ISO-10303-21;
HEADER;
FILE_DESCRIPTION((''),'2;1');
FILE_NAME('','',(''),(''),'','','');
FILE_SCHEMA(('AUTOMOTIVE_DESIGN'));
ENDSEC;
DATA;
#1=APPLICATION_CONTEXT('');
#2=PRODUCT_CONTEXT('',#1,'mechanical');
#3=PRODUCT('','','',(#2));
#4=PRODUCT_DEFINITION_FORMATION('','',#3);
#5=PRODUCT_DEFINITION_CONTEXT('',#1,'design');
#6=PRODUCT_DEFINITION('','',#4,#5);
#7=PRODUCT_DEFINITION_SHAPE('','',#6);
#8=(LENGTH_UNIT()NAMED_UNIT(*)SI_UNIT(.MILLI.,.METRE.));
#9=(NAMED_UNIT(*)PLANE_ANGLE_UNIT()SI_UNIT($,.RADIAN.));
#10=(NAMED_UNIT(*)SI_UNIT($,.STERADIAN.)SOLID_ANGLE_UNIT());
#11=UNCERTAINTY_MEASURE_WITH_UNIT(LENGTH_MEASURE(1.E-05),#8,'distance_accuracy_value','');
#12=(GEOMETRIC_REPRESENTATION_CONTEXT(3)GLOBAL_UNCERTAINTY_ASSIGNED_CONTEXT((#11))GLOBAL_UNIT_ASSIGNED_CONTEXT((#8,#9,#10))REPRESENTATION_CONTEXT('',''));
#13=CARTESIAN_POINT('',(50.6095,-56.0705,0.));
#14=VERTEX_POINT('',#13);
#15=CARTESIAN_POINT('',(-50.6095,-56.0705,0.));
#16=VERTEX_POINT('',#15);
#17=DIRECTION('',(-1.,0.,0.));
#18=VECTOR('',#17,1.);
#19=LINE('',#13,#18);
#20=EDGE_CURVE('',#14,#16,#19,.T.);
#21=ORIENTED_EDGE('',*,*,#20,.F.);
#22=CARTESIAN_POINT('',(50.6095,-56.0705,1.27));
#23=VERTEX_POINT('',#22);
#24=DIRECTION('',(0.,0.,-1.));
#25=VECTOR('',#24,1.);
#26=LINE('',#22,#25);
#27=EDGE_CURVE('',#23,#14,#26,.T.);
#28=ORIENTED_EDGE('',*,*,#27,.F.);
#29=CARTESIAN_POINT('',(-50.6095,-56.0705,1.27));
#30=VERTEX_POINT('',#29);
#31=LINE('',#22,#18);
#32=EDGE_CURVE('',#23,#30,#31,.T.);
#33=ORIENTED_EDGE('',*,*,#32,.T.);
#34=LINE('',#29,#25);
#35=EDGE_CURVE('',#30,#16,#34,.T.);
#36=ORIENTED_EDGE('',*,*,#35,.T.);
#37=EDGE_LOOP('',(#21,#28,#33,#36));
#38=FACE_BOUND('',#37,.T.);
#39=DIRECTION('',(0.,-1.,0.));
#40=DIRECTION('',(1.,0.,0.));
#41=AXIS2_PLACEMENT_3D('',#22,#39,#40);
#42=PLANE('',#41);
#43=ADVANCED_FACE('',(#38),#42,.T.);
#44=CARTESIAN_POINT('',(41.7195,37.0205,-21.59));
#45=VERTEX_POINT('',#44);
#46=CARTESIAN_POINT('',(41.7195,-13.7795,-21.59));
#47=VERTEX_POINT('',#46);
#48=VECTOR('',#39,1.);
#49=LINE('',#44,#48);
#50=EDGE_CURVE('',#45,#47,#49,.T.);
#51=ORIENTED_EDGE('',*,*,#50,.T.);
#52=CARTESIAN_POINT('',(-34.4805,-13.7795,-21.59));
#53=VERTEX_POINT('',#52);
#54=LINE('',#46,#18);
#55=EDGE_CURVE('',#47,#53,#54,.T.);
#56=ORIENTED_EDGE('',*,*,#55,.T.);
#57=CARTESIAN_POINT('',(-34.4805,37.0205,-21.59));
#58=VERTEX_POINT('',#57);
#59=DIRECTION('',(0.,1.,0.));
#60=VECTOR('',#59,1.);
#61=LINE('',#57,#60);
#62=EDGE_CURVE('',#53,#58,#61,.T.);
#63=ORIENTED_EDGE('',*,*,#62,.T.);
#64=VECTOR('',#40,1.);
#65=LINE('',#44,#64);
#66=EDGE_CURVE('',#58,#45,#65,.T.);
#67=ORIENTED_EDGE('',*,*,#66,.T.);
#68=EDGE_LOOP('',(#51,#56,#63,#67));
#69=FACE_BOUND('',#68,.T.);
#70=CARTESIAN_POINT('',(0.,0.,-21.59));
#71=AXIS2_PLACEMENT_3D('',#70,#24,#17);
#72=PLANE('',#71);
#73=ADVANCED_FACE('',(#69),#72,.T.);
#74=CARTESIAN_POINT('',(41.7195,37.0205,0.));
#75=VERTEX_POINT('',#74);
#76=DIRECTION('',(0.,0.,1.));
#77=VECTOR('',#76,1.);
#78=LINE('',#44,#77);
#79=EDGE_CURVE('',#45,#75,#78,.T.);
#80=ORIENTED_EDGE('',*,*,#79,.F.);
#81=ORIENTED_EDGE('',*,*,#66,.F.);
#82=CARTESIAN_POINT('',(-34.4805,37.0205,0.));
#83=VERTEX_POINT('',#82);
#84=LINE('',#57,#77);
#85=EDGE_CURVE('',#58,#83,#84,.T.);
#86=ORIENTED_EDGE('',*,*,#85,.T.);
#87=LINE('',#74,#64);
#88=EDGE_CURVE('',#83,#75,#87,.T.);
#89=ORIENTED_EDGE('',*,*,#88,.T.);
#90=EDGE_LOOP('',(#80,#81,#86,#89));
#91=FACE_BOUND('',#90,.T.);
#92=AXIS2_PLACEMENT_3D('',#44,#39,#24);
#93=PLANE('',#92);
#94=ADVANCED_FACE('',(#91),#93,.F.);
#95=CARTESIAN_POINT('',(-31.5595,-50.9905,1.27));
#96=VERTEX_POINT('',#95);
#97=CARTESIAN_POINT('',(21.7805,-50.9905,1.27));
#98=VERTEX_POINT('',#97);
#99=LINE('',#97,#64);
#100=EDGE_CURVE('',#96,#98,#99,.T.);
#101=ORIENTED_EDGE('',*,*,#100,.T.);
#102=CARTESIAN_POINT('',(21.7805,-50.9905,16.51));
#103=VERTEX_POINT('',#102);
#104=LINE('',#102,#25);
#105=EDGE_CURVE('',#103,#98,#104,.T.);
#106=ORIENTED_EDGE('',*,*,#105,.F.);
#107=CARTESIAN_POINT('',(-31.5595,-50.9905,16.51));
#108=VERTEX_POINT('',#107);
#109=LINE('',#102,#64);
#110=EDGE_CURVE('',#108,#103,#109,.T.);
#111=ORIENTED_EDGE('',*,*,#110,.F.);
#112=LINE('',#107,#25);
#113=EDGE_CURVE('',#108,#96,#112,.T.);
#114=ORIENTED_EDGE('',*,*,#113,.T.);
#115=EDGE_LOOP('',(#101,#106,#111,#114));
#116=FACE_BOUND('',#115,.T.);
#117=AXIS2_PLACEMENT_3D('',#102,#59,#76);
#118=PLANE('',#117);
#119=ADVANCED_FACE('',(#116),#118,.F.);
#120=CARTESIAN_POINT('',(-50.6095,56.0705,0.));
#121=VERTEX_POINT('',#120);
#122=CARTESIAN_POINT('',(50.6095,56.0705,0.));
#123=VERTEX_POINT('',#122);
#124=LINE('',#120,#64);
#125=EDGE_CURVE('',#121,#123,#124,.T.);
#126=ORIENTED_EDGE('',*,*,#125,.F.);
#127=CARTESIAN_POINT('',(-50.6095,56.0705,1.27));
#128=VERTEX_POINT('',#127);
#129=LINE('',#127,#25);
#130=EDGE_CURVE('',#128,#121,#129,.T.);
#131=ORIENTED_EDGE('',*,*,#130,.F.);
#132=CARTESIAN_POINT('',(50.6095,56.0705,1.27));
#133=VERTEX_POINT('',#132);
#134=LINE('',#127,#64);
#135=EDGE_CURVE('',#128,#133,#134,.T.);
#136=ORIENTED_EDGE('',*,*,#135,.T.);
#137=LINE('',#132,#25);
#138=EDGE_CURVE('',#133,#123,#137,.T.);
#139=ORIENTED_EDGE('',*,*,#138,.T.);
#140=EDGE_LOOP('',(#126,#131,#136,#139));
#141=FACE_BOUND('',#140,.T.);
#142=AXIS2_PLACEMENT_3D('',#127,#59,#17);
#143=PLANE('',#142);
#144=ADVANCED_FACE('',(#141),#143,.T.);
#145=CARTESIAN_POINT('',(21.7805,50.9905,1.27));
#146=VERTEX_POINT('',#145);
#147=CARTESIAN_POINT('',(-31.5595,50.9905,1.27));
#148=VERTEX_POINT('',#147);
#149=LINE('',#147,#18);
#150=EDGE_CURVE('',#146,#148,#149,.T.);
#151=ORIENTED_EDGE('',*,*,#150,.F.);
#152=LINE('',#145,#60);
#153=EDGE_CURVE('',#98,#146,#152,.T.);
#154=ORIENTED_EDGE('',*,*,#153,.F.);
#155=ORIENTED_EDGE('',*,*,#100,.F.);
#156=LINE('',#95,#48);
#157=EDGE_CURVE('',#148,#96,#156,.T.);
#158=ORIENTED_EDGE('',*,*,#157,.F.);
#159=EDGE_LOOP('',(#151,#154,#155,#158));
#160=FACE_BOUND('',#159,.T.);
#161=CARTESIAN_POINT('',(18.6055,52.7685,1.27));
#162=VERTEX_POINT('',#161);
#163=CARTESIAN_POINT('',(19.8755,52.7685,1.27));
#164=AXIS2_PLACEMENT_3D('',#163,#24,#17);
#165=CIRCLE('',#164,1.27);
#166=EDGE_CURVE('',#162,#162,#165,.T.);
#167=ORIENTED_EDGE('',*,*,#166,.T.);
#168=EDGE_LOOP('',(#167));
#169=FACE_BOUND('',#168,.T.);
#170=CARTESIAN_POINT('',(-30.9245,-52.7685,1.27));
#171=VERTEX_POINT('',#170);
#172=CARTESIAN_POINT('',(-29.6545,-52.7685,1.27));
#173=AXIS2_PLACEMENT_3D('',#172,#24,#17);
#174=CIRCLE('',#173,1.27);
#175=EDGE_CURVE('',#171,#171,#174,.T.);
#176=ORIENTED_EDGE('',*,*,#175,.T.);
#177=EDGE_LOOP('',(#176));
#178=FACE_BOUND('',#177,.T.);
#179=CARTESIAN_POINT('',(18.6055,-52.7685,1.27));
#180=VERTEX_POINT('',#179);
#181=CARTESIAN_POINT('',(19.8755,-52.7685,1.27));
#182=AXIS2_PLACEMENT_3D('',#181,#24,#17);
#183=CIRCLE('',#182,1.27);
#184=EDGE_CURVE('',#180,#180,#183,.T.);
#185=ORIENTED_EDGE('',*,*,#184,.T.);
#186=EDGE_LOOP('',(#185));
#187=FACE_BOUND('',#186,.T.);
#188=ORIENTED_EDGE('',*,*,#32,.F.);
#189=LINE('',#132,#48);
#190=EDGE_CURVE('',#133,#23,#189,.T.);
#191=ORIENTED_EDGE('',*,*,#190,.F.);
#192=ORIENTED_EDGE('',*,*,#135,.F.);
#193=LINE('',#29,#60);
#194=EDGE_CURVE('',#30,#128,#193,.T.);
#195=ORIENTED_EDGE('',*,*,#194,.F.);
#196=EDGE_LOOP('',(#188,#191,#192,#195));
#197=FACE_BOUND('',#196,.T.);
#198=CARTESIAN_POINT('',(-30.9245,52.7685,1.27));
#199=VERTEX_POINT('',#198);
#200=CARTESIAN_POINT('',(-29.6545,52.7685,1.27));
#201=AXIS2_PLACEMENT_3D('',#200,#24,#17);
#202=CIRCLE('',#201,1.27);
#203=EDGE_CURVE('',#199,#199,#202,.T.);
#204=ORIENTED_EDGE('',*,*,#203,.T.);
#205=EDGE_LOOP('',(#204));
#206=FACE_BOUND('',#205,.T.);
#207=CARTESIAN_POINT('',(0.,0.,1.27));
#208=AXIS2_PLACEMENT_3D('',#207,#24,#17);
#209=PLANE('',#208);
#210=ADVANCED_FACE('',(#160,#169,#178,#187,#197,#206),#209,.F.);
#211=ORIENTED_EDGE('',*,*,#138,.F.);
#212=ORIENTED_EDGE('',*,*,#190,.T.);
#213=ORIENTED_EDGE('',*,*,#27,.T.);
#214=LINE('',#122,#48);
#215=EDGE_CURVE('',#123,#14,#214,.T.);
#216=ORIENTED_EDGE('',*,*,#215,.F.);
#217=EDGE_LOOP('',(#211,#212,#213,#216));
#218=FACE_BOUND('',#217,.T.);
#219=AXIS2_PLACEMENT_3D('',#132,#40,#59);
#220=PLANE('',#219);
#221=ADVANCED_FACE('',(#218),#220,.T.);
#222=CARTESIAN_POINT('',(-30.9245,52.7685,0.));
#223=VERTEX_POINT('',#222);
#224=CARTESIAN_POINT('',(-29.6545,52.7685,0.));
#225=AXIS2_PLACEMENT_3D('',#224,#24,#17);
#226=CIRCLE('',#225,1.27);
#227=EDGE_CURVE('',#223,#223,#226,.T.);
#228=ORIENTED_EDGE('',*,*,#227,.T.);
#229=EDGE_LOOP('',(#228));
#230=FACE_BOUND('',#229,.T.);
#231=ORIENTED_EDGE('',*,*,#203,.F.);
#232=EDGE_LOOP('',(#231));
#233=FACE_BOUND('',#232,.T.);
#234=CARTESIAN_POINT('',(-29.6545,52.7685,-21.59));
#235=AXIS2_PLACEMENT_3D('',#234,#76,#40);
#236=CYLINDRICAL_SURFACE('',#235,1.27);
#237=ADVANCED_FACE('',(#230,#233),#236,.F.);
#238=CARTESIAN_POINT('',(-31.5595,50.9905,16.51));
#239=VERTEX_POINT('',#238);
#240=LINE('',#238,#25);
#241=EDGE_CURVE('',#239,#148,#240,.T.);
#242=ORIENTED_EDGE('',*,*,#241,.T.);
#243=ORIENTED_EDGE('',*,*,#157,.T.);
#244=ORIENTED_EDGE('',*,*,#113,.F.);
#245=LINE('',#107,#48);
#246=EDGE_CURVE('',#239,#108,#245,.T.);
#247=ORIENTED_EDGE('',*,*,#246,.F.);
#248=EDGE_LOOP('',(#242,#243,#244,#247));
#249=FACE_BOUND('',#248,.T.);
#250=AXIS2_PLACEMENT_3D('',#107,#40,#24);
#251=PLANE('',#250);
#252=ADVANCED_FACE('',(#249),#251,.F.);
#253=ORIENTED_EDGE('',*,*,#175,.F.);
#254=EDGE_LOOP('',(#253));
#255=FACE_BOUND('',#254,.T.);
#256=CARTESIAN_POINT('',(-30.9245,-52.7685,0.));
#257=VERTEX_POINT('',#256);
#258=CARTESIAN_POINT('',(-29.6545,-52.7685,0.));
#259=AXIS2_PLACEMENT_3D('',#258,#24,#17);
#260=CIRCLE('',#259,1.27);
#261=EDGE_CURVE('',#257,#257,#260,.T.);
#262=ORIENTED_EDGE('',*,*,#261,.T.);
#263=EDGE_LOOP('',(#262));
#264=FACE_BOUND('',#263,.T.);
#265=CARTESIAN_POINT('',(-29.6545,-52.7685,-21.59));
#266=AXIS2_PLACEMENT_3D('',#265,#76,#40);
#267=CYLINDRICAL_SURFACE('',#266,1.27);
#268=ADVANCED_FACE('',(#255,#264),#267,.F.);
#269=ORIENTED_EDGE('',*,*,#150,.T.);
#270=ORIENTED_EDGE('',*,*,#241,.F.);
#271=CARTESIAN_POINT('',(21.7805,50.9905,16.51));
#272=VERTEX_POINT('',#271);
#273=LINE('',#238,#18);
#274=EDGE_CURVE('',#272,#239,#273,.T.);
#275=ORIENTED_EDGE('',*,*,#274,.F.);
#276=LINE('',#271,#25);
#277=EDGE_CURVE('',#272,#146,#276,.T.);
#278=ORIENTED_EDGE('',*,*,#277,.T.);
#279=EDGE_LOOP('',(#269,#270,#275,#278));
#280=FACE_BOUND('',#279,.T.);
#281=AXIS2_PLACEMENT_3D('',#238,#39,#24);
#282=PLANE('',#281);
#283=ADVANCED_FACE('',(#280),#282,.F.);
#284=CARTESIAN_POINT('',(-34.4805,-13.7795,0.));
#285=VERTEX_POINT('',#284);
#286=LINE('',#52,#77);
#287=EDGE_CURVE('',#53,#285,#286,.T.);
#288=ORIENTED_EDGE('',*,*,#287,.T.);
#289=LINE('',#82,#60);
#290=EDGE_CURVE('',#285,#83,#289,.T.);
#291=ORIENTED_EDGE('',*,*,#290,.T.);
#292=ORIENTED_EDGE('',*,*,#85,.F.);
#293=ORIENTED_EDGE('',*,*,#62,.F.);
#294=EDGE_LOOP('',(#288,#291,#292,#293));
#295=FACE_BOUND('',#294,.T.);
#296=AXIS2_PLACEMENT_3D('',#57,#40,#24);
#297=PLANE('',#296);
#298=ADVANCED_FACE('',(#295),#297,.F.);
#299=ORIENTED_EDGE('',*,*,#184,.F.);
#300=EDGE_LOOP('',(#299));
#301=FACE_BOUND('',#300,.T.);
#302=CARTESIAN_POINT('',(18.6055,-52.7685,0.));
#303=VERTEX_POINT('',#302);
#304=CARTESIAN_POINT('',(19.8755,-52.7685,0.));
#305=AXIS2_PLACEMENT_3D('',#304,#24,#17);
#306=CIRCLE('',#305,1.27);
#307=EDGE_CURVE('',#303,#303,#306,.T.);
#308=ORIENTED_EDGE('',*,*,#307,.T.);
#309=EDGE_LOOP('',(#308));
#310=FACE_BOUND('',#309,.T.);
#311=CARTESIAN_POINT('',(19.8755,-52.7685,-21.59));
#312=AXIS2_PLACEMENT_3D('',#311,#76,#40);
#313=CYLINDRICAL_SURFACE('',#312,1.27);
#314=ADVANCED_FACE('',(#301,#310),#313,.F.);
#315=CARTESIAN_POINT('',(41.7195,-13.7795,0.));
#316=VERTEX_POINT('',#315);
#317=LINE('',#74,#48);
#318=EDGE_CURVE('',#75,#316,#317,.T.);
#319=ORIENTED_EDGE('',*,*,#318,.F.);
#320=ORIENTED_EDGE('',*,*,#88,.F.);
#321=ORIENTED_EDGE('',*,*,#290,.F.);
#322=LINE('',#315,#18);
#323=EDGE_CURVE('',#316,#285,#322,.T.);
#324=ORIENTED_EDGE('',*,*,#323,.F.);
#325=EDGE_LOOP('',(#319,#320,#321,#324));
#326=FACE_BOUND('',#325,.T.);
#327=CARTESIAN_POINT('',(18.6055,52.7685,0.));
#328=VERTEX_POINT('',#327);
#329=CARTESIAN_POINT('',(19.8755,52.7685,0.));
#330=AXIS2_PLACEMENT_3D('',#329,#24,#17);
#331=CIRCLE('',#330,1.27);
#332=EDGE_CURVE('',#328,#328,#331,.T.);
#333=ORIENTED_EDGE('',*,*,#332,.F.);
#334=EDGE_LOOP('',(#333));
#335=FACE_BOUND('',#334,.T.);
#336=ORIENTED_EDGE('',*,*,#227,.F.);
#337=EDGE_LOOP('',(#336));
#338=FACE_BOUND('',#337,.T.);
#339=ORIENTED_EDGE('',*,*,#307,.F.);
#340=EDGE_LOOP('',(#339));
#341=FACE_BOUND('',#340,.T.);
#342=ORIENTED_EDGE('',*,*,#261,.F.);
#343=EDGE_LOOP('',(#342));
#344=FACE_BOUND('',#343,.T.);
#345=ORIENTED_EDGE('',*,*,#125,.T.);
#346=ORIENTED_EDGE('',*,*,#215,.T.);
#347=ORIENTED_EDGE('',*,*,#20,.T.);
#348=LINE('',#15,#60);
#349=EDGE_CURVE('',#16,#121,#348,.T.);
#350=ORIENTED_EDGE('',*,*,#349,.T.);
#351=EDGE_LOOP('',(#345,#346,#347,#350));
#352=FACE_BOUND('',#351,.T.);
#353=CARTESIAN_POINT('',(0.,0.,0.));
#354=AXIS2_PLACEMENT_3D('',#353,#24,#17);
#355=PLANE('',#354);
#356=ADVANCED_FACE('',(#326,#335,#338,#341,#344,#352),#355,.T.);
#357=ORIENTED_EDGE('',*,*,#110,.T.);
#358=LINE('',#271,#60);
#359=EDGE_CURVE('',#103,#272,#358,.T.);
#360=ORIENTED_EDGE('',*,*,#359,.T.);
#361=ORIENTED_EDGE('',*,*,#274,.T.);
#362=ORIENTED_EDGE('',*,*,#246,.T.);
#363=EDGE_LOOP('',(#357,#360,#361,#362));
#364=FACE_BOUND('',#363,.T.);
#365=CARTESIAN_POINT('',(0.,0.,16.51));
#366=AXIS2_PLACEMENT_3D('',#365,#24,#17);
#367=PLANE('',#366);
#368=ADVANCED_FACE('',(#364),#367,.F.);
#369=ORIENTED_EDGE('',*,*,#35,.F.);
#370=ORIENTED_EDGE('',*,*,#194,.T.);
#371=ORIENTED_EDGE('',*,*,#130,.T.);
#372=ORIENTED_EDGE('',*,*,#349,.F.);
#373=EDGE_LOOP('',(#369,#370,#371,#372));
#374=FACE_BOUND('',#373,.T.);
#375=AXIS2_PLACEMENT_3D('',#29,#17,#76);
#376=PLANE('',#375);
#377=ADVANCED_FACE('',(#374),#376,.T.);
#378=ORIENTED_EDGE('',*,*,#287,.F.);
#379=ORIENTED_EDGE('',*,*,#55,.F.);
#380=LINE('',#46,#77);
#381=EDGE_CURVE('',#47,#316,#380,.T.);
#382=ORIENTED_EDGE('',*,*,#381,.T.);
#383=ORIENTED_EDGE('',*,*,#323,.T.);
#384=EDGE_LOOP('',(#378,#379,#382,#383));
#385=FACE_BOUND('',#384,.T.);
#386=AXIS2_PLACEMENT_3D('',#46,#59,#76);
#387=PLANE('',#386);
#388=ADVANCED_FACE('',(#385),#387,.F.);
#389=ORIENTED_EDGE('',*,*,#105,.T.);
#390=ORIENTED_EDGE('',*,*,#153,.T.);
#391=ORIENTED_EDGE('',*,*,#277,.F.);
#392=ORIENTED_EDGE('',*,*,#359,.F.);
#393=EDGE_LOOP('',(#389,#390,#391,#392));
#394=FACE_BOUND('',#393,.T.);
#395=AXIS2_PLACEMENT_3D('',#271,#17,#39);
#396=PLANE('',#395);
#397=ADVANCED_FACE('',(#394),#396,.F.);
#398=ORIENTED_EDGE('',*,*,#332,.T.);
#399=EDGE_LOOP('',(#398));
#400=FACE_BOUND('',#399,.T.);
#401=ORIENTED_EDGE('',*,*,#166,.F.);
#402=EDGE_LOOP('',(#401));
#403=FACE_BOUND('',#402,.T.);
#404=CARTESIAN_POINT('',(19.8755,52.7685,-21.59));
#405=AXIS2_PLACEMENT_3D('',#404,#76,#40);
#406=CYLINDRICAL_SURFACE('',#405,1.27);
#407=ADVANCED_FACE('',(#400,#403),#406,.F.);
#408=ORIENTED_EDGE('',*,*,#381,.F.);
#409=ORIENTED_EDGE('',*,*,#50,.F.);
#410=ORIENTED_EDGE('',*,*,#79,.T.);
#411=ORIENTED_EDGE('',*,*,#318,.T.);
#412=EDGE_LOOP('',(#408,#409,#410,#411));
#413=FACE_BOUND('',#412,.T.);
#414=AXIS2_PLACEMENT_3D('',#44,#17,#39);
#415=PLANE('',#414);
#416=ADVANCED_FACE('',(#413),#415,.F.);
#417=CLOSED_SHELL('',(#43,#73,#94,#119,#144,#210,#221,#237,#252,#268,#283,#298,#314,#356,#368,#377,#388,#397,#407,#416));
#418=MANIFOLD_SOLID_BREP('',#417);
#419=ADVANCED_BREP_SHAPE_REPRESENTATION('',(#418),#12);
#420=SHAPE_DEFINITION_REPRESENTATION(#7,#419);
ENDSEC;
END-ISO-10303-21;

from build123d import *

# Parameters (mm, degrees)
SKETCH1_W               = 101.219
SKETCH1_H               = 112.141
BOSS_EXTRUDE1_DEPTH     = 1.27
SKETCH2_W               = 53.34
SKETCH2_H               = 101.981
BOSS_EXTRUDE2_DEPTH     = 15.24
SKETCH3_W               = 76.2
SKETCH3_H               = 50.8
BOSS_EXTRUDE3_DEPTH     = 21.59
CUT_EXTRUDE1_DEPTH      = 79.916424529
CUT_EXTRUDE1_DEPTH_BACK = 79.916424529
SKETCH4_R               = 1.27


with BuildPart() as part:
    # Sketch1 → Boss-Extrude1 (new body)
    with BuildSketch(Plane.XY):
        Rectangle(SKETCH1_W, SKETCH1_H)
    extrude(amount=BOSS_EXTRUDE1_DEPTH)

    # Sketch2 → Boss-Extrude2 (add)
    with BuildSketch(Plane.XY.offset(1.27)):
        with Locations((-4.8895, 0)):
            Rectangle(SKETCH2_W, SKETCH2_H)
    extrude(amount=BOSS_EXTRUDE2_DEPTH)

    # Sketch3 → Boss-Extrude3 (add)
    with BuildSketch(Plane(origin=(0, 0, 0), x_dir=(-1, 0, 0), z_dir=(0, 0, -1))):
        with Locations((-3.6195, 11.6205)):
            Rectangle(SKETCH3_W, SKETCH3_H)
    extrude(amount=BOSS_EXTRUDE3_DEPTH)

    # Sketch4 → Cut-Extrude1 (cut, two sides: drawn at the far end of the back side and taken through both)
    with BuildSketch(Plane.XY.offset(1.27).offset(-CUT_EXTRUDE1_DEPTH_BACK)):
        with Locations(Location((-29.6545, 52.7685, 0), (0, 0, 180))):
            Circle(SKETCH4_R)
        with Locations(Location((19.8755, 52.7685, 0), (0, 0, 180))):
            Circle(SKETCH4_R)
        with Locations(Location((-29.6545, -52.7685, 0), (0, 0, 180))):
            Circle(SKETCH4_R)
        with Locations(Location((19.8755, -52.7685, 0), (0, 0, 180))):
            Circle(SKETCH4_R)
    extrude(amount=CUT_EXTRUDE1_DEPTH + CUT_EXTRUDE1_DEPTH_BACK, mode=Mode.SUBTRACT)


solid = part.part
